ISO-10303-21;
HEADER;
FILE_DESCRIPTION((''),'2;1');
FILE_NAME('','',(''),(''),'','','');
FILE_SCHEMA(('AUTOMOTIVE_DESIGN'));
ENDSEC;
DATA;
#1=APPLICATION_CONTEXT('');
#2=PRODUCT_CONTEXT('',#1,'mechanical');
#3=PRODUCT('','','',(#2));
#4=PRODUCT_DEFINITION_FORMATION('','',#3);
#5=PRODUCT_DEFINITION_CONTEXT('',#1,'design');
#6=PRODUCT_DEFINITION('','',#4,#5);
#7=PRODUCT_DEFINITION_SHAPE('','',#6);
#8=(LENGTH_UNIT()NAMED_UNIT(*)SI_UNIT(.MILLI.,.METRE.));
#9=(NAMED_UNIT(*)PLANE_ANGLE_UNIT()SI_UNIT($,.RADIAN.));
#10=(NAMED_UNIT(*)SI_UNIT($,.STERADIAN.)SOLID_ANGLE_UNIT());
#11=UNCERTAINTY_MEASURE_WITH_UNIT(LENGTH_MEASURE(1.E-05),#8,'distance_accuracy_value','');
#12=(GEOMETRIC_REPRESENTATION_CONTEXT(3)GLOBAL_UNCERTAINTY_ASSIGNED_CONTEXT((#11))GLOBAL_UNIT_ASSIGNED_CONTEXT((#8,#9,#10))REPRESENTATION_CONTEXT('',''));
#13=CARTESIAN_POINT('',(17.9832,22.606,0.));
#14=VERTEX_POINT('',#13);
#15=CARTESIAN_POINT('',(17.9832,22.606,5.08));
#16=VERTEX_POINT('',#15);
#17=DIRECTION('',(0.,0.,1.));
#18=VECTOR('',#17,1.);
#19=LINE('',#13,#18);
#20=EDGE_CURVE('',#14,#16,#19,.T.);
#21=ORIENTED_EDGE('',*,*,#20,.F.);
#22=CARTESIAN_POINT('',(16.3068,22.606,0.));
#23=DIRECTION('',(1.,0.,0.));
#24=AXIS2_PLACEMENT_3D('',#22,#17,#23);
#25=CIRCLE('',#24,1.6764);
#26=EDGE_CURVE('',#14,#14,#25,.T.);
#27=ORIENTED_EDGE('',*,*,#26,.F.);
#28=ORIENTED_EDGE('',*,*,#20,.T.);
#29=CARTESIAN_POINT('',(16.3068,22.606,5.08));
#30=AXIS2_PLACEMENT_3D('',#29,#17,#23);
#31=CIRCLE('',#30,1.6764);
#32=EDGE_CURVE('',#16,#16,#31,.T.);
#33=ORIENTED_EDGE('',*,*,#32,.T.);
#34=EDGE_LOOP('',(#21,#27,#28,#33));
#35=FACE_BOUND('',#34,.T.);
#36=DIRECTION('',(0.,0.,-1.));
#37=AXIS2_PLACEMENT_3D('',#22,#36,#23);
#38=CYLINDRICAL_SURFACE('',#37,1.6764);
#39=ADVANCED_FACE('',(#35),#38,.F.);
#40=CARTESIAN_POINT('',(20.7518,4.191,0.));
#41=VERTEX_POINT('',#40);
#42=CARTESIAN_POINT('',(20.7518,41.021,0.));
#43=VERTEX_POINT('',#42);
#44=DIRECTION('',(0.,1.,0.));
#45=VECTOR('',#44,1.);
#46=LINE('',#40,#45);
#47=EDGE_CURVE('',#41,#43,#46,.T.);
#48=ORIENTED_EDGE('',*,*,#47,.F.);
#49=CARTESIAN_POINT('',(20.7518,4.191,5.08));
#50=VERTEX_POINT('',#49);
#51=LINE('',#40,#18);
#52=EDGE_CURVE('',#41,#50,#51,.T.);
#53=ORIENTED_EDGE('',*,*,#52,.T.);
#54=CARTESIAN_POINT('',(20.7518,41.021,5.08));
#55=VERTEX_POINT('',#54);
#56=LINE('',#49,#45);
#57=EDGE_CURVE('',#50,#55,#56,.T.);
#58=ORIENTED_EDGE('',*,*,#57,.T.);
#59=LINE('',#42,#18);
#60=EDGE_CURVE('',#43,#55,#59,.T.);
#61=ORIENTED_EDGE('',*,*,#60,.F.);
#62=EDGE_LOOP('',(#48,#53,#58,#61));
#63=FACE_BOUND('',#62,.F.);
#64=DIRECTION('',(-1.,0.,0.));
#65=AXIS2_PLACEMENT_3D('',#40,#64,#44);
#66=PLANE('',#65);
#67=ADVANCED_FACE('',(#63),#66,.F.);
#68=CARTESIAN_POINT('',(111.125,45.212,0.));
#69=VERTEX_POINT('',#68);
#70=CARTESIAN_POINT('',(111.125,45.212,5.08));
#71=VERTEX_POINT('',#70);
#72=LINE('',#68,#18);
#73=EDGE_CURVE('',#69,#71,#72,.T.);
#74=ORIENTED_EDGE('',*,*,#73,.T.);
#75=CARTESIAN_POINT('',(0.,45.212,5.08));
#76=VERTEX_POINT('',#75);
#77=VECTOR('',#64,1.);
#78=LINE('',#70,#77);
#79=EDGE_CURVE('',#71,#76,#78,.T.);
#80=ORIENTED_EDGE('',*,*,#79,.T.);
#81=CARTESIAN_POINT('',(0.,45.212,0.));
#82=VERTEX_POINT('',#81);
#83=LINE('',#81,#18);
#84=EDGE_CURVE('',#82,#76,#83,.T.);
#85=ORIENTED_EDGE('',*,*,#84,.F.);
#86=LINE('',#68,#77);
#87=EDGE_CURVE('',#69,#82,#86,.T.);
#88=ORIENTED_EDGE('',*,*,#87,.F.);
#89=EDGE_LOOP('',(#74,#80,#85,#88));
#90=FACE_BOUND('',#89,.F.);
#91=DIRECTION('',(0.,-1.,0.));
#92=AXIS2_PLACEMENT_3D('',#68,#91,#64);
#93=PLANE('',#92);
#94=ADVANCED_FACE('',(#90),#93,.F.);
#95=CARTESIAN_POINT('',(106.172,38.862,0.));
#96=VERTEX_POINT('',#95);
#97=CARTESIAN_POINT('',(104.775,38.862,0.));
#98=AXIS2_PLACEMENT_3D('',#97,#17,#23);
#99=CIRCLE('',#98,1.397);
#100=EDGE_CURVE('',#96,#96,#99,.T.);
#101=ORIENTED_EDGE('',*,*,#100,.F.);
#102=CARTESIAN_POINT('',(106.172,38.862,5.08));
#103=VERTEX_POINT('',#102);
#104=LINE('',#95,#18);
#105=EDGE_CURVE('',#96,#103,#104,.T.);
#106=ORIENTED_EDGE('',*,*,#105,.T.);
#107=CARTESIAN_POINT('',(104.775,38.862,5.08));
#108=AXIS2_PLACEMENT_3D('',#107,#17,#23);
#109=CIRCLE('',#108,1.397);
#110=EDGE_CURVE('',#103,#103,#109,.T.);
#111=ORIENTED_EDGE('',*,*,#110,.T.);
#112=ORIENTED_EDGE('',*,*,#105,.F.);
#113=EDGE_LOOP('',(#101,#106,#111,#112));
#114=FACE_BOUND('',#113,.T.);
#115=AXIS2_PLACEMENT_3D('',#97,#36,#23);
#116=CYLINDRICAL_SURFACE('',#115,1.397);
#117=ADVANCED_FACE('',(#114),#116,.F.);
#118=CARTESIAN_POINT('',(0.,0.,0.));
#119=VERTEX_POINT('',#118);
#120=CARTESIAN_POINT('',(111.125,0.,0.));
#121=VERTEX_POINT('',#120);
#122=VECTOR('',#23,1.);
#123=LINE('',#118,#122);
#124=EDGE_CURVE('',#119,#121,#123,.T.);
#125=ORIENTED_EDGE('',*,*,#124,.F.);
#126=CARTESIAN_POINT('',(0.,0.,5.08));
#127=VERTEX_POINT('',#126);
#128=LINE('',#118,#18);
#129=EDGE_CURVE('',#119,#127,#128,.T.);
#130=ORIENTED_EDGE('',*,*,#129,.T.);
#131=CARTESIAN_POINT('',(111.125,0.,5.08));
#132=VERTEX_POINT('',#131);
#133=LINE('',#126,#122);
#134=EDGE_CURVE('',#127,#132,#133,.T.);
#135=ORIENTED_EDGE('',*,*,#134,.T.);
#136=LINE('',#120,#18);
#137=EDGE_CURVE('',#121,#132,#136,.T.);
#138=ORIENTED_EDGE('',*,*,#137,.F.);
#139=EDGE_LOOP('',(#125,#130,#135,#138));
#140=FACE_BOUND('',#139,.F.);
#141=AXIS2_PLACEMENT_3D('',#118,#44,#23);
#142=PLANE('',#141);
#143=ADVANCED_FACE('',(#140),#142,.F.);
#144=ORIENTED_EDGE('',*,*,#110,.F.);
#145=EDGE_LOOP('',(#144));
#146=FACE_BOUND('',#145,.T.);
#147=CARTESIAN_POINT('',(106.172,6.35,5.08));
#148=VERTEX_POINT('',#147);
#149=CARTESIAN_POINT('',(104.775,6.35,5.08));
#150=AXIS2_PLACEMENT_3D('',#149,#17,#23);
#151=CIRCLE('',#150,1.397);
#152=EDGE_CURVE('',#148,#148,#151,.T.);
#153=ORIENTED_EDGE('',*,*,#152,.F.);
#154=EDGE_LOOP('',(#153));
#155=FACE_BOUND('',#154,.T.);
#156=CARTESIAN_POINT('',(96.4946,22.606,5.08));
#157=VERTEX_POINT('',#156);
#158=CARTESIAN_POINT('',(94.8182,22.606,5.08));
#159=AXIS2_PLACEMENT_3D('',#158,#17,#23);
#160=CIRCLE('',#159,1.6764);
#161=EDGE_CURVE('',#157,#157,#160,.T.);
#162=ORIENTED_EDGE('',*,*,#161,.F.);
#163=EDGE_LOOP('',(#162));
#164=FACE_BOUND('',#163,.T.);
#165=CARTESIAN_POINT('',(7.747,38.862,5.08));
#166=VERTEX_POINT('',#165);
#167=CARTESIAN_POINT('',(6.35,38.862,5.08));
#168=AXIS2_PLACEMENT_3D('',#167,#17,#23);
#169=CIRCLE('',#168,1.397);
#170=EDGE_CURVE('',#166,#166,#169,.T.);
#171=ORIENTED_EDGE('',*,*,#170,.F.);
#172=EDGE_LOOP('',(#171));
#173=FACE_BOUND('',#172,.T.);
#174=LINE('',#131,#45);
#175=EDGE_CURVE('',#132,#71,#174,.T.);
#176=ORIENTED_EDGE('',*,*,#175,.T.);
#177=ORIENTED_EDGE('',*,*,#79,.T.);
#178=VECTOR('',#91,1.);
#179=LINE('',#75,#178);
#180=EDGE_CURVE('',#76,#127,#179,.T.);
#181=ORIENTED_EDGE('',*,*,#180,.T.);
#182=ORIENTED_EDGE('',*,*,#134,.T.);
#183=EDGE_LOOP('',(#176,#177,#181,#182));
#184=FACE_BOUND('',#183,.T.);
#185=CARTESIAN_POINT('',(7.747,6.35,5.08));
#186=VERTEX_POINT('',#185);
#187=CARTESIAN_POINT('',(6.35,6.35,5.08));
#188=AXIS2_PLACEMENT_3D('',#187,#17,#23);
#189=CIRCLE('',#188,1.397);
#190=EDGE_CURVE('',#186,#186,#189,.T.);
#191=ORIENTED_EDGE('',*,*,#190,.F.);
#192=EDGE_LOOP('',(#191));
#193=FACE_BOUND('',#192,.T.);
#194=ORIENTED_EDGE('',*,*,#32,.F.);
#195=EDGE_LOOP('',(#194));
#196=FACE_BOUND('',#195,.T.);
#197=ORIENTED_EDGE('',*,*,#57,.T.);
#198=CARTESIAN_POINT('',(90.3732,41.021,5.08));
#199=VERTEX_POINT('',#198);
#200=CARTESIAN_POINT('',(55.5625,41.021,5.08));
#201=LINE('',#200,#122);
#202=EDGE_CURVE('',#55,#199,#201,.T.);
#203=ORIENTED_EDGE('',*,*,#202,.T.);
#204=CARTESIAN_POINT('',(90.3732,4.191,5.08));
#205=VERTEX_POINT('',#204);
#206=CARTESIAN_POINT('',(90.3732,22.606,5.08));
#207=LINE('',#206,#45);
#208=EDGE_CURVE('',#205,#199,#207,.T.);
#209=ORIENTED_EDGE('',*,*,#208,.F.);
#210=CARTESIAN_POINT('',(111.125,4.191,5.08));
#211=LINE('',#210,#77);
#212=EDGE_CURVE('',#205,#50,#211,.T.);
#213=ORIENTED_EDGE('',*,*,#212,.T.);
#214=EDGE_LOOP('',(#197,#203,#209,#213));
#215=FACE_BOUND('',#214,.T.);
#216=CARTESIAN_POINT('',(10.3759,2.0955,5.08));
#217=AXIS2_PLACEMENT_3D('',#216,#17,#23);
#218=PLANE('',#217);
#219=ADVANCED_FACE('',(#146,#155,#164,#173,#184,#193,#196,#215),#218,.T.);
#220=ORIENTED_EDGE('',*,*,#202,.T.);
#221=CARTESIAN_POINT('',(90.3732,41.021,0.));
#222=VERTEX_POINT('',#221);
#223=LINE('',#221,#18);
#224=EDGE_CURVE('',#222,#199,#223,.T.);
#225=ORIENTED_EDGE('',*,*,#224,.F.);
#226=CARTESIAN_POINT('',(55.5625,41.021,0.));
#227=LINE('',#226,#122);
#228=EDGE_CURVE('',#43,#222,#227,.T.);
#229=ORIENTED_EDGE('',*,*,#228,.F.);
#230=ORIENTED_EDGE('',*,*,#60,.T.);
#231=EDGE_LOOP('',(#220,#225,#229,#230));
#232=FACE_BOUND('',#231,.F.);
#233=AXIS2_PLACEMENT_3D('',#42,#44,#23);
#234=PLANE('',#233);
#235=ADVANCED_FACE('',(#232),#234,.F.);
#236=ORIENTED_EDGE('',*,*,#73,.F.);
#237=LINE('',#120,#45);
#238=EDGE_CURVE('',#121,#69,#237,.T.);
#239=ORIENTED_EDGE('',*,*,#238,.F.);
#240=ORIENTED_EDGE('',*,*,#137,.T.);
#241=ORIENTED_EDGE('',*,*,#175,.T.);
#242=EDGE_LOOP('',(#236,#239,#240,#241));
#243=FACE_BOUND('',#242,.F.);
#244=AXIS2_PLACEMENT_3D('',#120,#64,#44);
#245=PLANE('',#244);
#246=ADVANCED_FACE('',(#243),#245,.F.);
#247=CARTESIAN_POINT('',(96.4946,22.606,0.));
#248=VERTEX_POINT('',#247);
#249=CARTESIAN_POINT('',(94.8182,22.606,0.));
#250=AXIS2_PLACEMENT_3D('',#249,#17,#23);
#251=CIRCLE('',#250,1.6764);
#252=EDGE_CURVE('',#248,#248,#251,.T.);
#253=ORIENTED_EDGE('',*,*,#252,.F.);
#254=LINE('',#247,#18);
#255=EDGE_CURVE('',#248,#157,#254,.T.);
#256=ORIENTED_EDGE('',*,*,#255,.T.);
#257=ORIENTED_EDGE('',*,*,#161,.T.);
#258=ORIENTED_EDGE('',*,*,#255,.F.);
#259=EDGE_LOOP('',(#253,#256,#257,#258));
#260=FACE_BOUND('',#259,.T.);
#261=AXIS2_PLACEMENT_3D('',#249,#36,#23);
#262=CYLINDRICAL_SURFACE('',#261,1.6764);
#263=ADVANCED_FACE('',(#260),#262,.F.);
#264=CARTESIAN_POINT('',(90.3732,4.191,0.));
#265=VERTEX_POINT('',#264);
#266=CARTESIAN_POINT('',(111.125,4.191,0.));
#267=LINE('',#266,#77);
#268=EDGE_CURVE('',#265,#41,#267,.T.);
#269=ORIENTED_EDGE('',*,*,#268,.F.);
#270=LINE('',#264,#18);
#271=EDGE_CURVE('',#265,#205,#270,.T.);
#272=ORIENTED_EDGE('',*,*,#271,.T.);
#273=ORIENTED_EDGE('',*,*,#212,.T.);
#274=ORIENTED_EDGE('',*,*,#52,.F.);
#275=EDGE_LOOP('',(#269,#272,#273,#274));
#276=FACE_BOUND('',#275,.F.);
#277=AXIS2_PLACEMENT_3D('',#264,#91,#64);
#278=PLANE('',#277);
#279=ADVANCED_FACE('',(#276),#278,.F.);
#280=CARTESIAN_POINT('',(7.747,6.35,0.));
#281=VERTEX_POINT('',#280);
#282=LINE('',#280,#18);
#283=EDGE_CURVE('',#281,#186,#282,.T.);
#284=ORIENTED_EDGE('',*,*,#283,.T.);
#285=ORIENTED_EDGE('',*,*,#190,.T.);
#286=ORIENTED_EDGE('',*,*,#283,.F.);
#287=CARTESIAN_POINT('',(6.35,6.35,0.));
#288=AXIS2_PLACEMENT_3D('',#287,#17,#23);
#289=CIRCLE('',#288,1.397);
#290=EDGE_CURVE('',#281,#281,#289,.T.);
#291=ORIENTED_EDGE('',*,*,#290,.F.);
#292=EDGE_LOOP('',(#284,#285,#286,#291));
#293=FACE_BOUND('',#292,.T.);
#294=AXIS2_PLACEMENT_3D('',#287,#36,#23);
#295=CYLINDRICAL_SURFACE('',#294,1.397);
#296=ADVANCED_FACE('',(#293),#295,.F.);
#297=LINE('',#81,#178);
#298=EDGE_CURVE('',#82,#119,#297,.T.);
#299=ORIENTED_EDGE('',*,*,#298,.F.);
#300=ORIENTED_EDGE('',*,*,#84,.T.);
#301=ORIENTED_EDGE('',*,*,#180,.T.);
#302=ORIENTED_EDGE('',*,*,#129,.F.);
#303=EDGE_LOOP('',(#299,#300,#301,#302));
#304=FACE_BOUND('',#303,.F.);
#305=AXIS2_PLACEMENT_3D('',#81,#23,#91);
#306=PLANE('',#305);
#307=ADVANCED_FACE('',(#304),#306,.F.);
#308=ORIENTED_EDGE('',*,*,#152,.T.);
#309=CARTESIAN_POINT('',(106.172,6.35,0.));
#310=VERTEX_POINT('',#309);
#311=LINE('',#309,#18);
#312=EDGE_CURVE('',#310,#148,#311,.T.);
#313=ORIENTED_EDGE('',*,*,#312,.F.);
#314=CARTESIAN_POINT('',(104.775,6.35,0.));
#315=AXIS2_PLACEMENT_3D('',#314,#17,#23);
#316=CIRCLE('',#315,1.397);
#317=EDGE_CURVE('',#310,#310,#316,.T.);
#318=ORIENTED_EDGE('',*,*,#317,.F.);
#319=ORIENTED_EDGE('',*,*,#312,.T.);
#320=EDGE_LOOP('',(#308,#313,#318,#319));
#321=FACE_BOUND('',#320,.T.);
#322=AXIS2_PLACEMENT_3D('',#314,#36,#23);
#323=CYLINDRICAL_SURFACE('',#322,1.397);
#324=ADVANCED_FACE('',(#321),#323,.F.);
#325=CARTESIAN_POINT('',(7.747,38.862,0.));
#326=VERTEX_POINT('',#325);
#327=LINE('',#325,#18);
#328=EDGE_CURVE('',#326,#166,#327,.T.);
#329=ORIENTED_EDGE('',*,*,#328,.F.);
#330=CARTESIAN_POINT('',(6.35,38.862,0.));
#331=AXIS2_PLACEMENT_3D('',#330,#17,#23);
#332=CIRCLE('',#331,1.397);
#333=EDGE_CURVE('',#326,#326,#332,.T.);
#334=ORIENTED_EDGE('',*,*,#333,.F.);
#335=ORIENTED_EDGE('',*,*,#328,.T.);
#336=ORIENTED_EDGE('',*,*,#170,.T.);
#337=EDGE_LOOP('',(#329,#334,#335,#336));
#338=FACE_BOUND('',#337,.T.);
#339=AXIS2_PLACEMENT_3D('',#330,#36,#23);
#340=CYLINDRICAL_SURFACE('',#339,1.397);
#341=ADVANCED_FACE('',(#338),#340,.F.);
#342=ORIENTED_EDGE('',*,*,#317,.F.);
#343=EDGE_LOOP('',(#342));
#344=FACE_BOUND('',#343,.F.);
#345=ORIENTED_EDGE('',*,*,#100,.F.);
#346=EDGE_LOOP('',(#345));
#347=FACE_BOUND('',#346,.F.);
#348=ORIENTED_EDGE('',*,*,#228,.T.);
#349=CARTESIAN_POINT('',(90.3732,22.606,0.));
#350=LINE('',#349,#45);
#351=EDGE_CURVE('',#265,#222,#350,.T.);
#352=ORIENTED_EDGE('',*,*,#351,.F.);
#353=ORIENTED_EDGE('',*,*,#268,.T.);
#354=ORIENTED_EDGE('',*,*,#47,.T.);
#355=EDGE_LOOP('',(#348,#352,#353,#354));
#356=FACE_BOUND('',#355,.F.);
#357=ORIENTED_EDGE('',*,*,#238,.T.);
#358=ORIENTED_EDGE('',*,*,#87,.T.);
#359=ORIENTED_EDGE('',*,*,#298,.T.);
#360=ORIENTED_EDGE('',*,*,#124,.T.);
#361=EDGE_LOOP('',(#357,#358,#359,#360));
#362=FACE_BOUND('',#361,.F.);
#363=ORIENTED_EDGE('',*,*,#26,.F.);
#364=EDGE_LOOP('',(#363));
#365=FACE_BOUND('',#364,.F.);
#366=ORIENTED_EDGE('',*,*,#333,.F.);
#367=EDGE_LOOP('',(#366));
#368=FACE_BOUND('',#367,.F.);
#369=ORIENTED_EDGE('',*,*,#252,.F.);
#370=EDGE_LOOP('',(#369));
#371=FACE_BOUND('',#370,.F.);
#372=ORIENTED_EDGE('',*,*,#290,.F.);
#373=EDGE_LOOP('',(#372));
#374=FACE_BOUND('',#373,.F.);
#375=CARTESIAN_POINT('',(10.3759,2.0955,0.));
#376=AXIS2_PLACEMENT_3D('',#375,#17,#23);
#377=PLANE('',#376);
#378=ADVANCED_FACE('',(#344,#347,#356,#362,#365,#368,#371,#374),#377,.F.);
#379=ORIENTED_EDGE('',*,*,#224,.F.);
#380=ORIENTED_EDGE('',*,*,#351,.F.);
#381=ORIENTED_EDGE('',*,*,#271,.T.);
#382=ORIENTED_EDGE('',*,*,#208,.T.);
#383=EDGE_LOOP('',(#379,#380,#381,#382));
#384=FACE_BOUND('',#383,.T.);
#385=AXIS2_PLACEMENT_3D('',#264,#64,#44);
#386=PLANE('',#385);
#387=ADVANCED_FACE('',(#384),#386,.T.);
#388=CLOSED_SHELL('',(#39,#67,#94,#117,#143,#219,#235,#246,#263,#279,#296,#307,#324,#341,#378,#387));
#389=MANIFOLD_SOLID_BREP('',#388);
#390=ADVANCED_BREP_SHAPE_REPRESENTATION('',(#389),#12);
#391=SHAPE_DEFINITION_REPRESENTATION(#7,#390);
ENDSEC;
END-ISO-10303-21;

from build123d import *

# Parameters (mm, degrees)
F0_W     = 20.7518
F0_H     = 36.83
F0_R     = 1.397
F0_R_2   = 1.6764
F0_W_2   = 69.6214
F0_H_2   = 4.191
F1_DEPTH = 5.08


with BuildPart() as f1:
    # F0 (on Top) → F1 (new body)
    with BuildSketch(Plane.XY):
        Polygon((0, 4.191), (0, 0), (16.3068, 0), (20.7518, 0), (20.7518, 4.191), align=None)
        with Locations((10.3759, 22.606)):
            Rectangle(F0_W, F0_H)
        with Locations((6.35, 6.35)):
            Circle(F0_R, mode=Mode.SUBTRACT)
        with Locations((16.3068, 22.606)):
            Circle(F0_R_2, mode=Mode.SUBTRACT)
        with Locations((6.35, 38.862)):
            Circle(F0_R, mode=Mode.SUBTRACT)
        with Locations((55.5625, 2.0955)):
            Rectangle(F0_W_2, F0_H_2)
        with Locations((10.3759, 43.1165)):
            Rectangle(F0_W, F0_H_2)
        with Locations((100.7491, 2.0955)):
            Rectangle(F0_W, F0_H_2)
        with Locations((55.5625, 43.1165)):
            Rectangle(F0_W_2, F0_H_2)
        with Locations((100.7491, 22.606)):
            Rectangle(F0_W, F0_H)
        with Locations((104.775, 6.35)):
            Circle(F0_R, mode=Mode.SUBTRACT)
        with Locations((94.8182, 22.606)):
            Circle(F0_R_2, mode=Mode.SUBTRACT)
        with Locations((104.775, 38.862)):
            Circle(F0_R, mode=Mode.SUBTRACT)
        with Locations((100.7491, 43.1165)):
            Rectangle(F0_W, F0_H_2)
    extrude(amount=F1_DEPTH)


solid = f1.part
